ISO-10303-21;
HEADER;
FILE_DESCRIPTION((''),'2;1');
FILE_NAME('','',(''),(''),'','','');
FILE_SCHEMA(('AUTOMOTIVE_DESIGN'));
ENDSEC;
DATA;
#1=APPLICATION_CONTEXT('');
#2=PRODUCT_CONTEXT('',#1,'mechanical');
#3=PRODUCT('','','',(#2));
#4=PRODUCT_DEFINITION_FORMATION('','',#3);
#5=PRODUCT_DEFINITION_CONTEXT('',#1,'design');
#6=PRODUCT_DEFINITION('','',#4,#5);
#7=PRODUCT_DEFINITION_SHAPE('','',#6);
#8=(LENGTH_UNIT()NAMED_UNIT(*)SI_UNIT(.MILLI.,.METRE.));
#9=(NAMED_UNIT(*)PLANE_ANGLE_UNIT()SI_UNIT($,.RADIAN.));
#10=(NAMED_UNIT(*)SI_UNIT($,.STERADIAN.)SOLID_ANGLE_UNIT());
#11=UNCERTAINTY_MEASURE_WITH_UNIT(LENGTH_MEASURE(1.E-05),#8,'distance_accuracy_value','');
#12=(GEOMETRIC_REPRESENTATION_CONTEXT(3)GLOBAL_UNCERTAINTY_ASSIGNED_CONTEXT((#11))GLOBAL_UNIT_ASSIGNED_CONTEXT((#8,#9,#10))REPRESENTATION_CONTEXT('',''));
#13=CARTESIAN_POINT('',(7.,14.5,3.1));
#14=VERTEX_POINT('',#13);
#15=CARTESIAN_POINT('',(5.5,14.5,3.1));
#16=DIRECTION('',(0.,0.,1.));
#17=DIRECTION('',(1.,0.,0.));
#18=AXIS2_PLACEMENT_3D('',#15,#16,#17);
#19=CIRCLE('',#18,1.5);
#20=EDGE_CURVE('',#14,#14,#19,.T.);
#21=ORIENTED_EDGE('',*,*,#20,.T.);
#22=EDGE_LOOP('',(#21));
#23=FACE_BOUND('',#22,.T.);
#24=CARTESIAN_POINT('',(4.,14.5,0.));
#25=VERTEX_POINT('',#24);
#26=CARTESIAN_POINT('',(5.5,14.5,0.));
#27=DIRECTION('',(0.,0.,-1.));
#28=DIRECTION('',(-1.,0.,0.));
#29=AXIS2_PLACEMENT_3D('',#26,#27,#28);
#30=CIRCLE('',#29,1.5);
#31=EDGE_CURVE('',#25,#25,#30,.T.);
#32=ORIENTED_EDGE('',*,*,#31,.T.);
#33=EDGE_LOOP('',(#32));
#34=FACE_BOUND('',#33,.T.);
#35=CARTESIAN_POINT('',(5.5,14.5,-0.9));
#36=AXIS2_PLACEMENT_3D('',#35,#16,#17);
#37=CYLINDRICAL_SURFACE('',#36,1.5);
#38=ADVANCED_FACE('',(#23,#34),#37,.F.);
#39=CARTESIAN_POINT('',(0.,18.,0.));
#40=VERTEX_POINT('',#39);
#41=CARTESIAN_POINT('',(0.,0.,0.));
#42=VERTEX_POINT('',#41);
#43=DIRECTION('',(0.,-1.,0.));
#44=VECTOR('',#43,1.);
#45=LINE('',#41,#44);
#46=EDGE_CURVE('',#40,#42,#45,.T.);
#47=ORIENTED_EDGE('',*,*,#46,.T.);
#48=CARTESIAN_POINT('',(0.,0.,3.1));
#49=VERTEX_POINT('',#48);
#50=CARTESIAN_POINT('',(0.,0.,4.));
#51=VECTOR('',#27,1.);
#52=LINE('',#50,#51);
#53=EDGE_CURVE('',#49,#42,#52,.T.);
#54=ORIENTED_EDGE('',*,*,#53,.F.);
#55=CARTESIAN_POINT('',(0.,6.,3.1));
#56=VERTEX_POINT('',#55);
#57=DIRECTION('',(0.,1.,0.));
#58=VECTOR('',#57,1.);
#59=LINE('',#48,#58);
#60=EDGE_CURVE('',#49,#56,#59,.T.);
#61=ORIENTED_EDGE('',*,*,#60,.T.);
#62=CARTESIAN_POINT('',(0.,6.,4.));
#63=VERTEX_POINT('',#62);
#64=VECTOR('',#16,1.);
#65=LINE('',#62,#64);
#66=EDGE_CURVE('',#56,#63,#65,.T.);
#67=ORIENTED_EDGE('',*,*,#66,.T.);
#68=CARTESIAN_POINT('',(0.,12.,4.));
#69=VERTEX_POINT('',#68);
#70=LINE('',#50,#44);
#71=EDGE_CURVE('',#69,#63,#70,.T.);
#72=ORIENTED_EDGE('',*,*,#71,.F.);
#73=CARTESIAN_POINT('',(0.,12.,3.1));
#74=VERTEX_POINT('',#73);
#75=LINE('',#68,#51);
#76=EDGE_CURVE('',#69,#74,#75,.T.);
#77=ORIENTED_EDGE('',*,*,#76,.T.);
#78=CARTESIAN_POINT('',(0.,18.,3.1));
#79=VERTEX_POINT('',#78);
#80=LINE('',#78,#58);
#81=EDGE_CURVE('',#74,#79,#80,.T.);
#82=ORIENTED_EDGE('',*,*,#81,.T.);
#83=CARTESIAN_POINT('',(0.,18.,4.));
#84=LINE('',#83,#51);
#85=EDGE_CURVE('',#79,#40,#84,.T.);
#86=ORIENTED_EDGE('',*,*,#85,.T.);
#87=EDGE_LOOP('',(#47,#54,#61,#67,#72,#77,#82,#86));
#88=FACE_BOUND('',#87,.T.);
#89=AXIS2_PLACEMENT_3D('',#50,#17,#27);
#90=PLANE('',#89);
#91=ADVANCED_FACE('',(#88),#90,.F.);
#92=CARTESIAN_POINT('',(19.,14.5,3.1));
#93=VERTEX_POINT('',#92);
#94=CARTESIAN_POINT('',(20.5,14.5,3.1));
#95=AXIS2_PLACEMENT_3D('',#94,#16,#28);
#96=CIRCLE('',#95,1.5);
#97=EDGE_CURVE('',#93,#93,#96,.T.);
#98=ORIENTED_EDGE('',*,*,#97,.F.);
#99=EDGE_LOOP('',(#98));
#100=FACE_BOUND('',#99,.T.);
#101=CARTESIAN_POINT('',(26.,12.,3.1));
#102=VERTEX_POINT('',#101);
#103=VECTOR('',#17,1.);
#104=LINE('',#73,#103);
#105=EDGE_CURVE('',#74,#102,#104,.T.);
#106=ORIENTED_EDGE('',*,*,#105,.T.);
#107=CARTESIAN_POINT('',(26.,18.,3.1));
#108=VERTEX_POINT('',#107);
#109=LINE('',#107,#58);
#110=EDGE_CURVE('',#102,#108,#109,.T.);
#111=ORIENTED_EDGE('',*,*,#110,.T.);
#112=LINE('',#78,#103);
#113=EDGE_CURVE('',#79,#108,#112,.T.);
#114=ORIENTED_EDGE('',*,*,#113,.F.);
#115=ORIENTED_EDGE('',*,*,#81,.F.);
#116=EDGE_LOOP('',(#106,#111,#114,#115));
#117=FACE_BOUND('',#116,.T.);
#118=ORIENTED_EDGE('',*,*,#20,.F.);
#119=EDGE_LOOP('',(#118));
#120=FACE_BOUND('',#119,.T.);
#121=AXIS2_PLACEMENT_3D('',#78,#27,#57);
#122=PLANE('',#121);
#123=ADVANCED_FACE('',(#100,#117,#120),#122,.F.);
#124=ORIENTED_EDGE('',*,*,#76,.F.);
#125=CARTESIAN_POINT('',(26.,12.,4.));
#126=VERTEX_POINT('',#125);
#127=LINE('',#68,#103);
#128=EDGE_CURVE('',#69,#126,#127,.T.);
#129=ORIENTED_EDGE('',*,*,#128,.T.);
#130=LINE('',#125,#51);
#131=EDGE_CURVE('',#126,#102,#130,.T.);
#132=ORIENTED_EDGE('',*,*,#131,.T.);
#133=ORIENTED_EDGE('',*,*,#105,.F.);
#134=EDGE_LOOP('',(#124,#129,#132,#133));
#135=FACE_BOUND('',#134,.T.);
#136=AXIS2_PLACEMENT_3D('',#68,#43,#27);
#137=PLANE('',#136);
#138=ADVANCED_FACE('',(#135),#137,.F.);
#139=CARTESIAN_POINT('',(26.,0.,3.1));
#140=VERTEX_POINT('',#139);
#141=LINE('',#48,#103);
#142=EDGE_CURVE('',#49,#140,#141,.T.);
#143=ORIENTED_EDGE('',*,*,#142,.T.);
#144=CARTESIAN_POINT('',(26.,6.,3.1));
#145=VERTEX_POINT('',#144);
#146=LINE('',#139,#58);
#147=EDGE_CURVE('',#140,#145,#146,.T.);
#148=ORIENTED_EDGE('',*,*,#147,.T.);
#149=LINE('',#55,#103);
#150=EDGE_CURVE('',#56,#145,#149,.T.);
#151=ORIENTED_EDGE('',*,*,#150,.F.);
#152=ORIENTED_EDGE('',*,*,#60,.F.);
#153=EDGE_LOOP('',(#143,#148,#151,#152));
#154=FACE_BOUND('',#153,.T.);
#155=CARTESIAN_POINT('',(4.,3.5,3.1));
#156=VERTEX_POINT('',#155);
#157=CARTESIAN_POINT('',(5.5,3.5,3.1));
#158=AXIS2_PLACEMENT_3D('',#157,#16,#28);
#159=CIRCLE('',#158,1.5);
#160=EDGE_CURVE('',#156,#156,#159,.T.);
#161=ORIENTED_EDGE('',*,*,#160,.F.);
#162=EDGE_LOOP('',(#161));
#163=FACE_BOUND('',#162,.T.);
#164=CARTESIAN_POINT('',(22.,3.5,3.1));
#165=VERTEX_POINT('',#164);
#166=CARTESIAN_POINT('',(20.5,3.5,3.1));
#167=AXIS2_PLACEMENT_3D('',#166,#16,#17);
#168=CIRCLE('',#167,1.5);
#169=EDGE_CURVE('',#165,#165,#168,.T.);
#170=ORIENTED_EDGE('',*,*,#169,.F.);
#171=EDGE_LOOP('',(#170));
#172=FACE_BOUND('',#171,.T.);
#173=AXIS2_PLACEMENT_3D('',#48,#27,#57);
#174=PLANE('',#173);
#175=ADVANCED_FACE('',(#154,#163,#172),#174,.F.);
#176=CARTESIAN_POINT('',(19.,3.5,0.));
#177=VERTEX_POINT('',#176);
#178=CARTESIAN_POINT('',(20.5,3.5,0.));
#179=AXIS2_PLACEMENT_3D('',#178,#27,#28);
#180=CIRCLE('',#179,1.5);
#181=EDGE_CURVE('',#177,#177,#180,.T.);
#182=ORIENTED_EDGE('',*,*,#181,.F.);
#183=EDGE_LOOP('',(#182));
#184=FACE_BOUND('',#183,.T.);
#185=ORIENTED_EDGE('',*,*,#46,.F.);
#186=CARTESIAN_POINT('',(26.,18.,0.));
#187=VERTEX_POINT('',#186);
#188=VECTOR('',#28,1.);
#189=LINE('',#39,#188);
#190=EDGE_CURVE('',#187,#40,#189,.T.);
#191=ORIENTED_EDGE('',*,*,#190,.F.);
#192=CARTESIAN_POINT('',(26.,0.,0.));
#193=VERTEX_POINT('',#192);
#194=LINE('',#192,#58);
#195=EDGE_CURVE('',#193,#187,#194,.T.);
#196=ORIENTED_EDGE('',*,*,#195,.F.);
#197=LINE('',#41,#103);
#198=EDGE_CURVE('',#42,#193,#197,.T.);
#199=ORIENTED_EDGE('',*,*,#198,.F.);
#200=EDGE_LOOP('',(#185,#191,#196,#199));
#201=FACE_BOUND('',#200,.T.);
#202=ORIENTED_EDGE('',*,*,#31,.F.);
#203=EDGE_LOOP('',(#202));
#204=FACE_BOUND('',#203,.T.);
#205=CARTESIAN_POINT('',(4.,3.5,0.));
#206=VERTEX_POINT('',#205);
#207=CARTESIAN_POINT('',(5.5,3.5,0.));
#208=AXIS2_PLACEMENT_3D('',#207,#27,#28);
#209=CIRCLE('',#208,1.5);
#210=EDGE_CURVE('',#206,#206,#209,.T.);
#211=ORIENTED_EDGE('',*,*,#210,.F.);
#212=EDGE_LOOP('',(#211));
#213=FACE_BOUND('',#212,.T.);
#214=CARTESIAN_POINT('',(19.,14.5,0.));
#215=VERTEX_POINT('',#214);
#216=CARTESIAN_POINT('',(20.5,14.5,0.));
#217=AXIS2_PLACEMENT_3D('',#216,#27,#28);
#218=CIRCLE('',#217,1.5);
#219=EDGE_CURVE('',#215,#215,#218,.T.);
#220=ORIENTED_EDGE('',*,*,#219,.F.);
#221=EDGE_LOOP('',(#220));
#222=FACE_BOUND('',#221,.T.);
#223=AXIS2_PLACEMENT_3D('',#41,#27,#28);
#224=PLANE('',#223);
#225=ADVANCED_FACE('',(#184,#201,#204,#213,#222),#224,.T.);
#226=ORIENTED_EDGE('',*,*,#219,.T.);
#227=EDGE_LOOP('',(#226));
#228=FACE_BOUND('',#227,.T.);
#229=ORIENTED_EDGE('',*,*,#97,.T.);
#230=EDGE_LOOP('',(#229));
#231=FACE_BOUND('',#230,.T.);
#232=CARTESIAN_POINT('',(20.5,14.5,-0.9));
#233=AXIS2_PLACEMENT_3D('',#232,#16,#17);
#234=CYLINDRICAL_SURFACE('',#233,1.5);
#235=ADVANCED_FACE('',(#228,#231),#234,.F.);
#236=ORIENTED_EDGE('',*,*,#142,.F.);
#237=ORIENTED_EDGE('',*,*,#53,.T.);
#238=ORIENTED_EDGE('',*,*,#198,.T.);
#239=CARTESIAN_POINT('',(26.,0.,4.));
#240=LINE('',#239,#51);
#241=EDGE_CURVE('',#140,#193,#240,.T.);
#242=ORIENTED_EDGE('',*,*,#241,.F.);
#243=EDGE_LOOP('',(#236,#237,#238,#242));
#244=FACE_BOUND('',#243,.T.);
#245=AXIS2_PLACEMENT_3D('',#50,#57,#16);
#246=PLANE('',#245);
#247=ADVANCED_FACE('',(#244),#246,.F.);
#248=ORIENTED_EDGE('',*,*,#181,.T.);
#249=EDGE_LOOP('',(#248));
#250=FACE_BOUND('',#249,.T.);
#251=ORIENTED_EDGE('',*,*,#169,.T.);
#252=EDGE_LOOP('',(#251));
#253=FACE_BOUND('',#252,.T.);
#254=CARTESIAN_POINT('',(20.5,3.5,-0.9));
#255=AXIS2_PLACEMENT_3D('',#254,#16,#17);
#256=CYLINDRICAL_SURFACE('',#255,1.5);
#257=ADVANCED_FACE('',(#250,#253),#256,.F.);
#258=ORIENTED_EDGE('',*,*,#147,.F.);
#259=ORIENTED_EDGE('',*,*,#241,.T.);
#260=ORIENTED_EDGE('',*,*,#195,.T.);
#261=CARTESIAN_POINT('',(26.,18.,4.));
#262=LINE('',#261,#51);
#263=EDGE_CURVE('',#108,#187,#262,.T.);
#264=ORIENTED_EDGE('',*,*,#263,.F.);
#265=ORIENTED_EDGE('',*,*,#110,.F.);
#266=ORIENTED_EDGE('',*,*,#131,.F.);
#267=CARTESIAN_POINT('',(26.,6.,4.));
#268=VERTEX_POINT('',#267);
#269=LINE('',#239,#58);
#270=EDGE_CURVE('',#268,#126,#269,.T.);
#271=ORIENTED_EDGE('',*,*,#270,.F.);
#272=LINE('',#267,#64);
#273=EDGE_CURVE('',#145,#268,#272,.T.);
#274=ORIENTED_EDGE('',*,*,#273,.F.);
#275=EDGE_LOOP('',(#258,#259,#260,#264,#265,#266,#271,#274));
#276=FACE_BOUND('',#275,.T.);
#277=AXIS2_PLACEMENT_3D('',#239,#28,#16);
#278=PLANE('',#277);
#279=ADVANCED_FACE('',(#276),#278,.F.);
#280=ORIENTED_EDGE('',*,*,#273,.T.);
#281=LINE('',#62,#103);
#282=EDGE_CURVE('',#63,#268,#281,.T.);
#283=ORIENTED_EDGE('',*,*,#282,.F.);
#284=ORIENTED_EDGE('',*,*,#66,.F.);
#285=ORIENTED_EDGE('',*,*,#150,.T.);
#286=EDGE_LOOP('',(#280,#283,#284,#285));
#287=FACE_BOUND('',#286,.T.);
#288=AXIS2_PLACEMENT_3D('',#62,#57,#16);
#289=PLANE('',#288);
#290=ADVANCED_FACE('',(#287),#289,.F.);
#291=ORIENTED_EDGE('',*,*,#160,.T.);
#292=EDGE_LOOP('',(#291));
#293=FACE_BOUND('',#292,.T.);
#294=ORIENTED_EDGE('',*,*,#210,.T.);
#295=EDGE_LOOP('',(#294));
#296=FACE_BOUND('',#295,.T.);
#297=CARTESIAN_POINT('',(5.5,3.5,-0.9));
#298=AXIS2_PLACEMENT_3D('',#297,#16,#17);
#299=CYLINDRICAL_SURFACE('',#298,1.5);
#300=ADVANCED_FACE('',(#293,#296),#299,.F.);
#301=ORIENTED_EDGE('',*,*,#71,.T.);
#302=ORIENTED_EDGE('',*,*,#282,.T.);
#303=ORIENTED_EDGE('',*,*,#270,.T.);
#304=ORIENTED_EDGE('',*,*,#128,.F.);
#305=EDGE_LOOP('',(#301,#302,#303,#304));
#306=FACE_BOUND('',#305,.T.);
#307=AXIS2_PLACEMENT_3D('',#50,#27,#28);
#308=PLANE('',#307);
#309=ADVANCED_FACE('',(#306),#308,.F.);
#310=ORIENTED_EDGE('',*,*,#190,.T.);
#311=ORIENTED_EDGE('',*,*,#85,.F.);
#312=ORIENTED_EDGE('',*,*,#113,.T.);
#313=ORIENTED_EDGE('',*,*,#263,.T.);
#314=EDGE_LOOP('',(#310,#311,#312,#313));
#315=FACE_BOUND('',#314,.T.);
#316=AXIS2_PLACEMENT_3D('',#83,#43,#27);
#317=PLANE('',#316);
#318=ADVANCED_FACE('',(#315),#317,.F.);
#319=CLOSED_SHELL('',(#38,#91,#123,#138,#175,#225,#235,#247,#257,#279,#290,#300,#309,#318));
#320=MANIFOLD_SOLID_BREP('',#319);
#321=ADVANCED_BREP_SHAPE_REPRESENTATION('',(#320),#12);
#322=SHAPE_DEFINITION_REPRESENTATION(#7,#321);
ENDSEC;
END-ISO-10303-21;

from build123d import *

# Parameters (mm, degrees)
SKETCH_1_W          = 26
SKETCH_1_H          = 18
EXTRUDE_1_DEPTH     = 4
SKETCH_2_W          = 0.9
SKETCH_2_H          = 6
CUT_EXTRUDE_1_DEPTH = 27
SKETCH_3_R          = 1.5
CUT_EXTRUDE_2_DEPTH = 4


with BuildPart() as part:
    # 草图1 → 凸台-拉伸1 (new body)
    with BuildSketch(Plane.XY):
        with Locations((13, 9)):
            Rectangle(SKETCH_1_W, SKETCH_1_H)
    extrude(amount=EXTRUDE_1_DEPTH)

    # 草图2 → 切除-拉伸1 (cut, through all)
    with BuildSketch(Plane(origin=(26, 0, 0), x_dir=(0, 0, -1), z_dir=(1, 0, 0))):
        with Locations((-3.55, 3)):
            Rectangle(SKETCH_2_W, SKETCH_2_H)
        with Locations((-3.55, 15)):
            Rectangle(SKETCH_2_W, SKETCH_2_H)
    extrude(amount=-CUT_EXTRUDE_1_DEPTH, mode=Mode.SUBTRACT)

    # 草图3 → 切除-拉伸2 (cut)
    with BuildSketch(Plane.XY.offset(3.1)):
        with Locations((5.5, 14.5)):
            Circle(SKETCH_3_R)
        with Locations((5.5, 3.5)):
            Circle(SKETCH_3_R)
        with Locations((20.5, 3.5)):
            Circle(SKETCH_3_R)
        with Locations((20.5, 14.5)):
            Circle(SKETCH_3_R)
    extrude(amount=-CUT_EXTRUDE_2_DEPTH, mode=Mode.SUBTRACT)


solid = part.part
